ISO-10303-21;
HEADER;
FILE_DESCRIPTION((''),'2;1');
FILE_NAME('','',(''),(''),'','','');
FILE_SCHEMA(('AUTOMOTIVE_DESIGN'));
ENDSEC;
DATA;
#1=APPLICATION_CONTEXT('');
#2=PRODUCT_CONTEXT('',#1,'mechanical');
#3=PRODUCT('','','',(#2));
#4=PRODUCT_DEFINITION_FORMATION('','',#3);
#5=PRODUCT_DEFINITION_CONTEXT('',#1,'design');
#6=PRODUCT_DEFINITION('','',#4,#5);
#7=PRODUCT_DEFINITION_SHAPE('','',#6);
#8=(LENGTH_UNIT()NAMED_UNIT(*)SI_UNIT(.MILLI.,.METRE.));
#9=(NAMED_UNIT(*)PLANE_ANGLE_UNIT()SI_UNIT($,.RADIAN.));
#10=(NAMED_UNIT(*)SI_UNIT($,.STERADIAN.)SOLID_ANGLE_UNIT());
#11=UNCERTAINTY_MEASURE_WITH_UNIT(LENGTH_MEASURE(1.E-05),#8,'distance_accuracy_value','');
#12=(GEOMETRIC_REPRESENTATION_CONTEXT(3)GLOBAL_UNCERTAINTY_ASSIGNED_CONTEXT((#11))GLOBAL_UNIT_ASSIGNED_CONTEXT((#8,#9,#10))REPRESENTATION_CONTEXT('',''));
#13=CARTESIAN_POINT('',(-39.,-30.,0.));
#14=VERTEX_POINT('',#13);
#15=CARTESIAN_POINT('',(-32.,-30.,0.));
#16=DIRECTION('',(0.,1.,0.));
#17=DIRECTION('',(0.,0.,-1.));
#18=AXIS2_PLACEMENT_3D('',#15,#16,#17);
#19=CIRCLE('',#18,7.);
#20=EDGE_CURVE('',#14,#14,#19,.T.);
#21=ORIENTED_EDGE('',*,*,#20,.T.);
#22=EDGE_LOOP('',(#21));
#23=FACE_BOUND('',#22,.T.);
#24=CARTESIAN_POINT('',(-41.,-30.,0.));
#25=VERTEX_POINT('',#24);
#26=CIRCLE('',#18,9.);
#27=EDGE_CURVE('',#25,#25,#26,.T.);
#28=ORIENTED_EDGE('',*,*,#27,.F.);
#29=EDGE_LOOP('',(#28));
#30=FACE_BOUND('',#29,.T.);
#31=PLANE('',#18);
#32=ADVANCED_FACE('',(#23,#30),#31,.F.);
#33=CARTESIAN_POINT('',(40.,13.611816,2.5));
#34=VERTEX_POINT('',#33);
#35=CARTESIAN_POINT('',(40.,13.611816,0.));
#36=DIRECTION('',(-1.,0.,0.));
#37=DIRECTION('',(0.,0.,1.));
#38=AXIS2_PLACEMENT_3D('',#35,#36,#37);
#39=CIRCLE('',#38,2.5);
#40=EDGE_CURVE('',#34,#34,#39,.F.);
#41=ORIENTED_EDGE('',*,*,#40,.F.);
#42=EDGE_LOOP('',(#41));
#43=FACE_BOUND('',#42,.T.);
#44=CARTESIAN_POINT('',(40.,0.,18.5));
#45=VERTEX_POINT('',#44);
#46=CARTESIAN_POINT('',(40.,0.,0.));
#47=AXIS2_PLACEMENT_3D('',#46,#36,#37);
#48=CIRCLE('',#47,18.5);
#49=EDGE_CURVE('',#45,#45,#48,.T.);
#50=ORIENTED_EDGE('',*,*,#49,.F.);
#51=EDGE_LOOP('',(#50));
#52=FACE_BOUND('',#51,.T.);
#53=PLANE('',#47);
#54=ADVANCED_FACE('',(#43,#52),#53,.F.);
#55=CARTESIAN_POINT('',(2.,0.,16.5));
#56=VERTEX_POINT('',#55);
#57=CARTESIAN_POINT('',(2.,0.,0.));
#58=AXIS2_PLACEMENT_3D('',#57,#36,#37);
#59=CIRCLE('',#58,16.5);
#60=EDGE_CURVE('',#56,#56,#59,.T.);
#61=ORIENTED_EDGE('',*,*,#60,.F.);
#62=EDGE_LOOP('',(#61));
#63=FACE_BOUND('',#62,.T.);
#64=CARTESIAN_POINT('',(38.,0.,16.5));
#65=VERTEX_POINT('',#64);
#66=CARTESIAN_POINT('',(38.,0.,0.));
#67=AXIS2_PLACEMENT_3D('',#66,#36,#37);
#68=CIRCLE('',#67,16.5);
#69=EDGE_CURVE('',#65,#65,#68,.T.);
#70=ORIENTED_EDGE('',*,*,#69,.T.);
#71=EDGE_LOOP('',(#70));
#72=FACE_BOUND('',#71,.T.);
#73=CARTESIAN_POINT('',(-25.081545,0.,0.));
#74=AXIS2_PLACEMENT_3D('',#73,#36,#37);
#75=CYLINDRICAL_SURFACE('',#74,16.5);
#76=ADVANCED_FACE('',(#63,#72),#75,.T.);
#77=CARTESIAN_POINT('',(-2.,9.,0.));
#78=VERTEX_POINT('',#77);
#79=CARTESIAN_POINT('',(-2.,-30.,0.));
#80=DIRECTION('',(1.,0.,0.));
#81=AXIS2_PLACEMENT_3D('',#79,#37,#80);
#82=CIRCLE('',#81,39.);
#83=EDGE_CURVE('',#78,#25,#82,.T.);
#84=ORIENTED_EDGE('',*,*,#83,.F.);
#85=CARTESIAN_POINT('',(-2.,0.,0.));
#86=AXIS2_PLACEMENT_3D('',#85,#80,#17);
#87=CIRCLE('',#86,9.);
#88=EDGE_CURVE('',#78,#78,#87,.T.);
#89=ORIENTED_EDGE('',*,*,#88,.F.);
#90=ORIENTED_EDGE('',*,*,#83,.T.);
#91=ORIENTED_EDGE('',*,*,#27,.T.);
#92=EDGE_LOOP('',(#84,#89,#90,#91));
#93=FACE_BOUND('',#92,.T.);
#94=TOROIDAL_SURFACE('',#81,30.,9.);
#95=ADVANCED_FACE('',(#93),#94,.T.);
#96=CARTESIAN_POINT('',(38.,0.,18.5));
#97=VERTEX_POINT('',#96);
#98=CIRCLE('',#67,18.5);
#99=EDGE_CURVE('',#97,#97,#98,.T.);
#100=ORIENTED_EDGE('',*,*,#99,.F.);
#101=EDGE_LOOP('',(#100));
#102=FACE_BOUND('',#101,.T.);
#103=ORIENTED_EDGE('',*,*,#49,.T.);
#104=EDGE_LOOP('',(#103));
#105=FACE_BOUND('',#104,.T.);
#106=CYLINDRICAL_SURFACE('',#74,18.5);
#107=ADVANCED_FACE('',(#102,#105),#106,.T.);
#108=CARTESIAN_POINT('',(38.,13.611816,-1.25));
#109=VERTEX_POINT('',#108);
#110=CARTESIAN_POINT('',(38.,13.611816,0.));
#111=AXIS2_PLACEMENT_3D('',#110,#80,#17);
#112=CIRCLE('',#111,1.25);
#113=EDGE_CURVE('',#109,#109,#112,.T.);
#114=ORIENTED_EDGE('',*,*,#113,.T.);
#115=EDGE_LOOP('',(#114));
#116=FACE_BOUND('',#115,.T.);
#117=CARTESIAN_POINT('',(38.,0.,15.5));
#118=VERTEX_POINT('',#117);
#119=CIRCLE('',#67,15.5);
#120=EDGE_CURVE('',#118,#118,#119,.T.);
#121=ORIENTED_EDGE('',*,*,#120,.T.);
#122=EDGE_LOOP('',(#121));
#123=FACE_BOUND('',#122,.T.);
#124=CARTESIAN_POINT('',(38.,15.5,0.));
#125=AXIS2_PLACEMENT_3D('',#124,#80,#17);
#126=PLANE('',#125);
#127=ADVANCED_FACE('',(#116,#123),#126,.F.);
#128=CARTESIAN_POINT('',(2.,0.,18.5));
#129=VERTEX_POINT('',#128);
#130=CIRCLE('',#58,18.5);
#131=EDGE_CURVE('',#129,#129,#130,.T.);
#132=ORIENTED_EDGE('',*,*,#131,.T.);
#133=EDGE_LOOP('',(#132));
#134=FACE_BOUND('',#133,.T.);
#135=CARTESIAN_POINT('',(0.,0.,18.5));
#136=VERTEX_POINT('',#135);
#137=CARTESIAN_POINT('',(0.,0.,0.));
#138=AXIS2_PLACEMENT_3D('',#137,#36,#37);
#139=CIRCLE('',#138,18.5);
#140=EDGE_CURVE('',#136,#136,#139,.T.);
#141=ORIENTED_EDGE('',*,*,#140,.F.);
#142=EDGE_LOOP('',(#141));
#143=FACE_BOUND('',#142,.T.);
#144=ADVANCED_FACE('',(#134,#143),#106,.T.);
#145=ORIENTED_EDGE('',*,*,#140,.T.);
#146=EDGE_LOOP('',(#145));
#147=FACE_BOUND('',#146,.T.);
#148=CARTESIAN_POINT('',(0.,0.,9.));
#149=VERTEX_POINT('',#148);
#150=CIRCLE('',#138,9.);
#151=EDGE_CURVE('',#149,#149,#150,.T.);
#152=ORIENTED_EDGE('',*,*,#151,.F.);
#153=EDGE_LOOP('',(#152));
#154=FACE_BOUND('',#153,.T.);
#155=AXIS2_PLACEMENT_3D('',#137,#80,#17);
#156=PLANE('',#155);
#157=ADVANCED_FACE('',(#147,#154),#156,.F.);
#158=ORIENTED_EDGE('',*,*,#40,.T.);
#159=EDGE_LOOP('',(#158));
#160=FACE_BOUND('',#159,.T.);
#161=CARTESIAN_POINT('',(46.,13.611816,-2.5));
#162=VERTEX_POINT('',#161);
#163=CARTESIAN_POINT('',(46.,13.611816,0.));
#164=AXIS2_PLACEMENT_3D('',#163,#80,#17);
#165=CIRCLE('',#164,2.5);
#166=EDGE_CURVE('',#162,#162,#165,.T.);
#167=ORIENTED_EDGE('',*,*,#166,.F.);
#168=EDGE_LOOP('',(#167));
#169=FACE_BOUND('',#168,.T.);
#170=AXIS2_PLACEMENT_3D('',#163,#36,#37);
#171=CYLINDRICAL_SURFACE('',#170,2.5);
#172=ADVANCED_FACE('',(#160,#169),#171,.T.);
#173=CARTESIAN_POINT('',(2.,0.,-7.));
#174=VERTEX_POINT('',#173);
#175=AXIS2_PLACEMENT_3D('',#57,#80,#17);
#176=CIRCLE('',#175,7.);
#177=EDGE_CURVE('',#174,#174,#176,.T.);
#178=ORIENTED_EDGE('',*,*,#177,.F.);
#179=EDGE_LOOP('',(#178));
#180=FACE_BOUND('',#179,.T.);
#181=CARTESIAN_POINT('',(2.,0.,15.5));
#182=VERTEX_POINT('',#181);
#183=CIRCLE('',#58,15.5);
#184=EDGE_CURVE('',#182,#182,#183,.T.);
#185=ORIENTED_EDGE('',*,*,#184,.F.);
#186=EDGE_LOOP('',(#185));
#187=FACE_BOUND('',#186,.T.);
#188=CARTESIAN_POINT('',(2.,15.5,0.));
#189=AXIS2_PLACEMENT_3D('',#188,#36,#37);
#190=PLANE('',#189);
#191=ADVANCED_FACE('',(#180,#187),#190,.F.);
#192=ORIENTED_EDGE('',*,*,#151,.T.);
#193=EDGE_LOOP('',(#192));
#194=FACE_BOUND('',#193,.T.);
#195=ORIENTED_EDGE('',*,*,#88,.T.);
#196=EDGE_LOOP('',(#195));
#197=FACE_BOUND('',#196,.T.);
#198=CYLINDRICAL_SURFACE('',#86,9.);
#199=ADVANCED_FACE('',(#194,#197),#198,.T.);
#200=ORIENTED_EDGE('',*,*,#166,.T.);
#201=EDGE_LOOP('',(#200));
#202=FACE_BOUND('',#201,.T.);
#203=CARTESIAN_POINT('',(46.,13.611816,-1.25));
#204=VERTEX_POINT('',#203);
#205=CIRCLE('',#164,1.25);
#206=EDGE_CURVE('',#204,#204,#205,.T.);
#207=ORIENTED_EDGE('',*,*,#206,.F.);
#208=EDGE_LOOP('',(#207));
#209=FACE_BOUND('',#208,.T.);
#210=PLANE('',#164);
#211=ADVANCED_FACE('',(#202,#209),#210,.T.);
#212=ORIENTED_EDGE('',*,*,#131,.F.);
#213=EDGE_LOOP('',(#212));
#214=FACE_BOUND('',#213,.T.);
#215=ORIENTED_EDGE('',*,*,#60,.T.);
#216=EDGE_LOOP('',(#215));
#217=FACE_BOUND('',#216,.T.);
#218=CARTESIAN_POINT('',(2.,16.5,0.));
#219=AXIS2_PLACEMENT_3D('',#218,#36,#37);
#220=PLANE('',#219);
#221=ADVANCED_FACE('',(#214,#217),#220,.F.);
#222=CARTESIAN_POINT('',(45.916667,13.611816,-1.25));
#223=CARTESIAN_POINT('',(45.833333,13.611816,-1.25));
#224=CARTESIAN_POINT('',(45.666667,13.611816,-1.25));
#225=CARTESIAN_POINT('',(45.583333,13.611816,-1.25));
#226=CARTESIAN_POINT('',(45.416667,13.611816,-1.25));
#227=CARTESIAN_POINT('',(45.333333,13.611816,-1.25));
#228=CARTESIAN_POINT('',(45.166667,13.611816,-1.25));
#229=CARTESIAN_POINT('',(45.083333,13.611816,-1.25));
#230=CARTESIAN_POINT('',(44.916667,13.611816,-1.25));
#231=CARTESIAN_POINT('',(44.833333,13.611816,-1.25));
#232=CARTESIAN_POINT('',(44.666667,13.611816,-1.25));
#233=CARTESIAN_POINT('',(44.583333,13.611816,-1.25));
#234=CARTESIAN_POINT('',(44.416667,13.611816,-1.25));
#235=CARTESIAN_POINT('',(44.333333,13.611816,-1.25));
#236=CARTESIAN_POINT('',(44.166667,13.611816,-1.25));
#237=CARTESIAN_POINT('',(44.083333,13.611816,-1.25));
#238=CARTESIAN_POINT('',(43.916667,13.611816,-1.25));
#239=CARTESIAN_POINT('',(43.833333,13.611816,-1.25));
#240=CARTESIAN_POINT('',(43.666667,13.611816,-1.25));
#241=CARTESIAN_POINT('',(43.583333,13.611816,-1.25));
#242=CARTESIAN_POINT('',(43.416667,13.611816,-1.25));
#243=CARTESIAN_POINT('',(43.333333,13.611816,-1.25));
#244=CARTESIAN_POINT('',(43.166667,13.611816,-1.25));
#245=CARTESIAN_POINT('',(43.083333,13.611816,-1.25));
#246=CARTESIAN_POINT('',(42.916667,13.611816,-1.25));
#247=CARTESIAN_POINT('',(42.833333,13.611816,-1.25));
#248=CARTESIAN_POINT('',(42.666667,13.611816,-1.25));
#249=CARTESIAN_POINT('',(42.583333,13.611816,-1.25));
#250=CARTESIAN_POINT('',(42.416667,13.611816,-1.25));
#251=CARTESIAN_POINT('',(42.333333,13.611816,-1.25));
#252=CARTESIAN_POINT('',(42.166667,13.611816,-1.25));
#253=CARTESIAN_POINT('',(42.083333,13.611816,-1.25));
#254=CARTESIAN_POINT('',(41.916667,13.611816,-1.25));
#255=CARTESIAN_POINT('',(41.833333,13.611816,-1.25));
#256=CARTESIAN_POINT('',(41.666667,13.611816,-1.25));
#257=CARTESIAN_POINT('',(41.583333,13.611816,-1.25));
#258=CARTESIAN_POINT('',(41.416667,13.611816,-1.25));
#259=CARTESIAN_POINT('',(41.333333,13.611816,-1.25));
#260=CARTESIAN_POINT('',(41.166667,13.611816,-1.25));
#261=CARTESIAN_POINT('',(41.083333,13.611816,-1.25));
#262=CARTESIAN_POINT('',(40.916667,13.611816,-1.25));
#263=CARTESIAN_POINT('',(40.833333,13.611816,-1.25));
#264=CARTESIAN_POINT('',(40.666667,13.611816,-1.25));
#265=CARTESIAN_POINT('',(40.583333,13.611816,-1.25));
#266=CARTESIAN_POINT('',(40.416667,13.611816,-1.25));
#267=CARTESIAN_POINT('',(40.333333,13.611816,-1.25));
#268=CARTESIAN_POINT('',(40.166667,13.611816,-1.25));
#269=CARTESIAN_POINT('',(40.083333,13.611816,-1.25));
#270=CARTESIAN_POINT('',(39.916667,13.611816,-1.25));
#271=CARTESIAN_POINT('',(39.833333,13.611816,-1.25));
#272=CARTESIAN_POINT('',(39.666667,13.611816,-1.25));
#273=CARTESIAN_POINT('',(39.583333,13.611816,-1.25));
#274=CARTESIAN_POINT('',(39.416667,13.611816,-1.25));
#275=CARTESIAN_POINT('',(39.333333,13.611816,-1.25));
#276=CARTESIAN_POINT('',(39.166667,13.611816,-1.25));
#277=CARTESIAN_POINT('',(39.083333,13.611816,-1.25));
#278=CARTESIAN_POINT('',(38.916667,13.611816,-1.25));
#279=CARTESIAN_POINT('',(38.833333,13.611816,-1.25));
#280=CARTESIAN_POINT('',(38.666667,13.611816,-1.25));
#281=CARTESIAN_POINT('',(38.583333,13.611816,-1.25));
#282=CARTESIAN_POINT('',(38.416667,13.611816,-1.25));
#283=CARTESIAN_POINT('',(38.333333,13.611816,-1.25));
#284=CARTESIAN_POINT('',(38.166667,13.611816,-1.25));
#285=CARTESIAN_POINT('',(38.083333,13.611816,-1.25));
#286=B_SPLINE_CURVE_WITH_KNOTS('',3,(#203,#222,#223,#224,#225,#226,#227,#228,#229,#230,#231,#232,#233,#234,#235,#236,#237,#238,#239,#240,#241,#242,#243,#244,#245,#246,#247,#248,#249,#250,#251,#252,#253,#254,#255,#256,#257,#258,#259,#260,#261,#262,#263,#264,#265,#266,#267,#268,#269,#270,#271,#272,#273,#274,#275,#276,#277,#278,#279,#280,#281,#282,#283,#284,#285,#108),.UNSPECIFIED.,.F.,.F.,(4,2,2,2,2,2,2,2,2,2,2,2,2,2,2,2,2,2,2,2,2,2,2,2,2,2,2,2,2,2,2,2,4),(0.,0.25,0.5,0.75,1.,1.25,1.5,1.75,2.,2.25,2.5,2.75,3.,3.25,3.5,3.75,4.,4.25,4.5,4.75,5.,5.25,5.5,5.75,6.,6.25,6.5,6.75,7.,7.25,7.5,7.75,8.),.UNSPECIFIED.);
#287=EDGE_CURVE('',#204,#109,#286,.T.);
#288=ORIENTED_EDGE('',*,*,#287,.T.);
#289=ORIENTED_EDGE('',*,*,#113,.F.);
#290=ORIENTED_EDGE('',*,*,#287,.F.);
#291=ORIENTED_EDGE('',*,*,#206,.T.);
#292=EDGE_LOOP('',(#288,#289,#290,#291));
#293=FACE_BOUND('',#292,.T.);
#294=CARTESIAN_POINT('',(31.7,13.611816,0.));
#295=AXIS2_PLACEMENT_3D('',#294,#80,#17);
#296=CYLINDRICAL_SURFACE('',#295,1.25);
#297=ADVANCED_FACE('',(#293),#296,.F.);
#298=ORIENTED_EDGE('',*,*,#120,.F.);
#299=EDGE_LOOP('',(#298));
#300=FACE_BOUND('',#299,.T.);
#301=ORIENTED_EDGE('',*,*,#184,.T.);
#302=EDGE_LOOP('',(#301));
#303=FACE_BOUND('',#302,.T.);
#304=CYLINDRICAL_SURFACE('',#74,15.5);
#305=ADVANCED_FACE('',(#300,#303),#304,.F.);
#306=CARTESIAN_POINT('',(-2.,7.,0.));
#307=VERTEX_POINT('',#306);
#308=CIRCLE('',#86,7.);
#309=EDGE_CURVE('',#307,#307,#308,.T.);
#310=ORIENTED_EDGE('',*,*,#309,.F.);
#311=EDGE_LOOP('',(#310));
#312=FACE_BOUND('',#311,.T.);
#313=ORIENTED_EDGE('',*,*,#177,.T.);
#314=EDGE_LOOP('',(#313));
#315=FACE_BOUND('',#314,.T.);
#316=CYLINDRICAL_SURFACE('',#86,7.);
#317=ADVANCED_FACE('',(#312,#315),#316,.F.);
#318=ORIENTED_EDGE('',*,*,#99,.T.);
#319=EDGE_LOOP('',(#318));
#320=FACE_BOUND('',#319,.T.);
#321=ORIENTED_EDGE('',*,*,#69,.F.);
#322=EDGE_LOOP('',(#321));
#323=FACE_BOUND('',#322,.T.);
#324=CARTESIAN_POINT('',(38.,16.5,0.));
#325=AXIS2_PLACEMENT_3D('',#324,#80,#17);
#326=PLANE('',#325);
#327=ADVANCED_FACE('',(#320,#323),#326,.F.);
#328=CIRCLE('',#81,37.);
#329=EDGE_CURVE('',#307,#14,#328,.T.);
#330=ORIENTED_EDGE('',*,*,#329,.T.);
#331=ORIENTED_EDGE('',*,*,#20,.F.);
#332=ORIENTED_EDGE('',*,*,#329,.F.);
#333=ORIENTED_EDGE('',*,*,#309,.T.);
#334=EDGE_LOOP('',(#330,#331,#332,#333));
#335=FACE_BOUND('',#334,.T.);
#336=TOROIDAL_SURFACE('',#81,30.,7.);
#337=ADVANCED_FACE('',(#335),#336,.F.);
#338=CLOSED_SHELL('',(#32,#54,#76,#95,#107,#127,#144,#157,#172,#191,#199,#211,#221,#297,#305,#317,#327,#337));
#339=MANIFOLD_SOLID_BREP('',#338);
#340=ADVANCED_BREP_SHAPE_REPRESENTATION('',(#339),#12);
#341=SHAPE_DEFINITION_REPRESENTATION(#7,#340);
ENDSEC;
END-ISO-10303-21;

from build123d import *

# Parameters (mm, degrees)
ESQUISSE2_R             = 2.5
BOSS_EXTRU_1_DEPTH      = 6
ESQUISSE3_R             = 1.25
ENL_V_MAT_EXTRU_1_DEPTH = 14.3
ESQUISSE4_R             = 9
ENL_V_MAT_EXTRU_2_DEPTH = 5
ESQUISSE6_R             = 9
ESQUISSE6_R_2           = 7


with BuildPart() as part:
    # Esquisse1 → Base-Révolution (revolve)
    with BuildSketch(Plane.XY, mode=Mode.PRIVATE) as base_r_volution_sk:
        Polygon((2, 16.5), (38, 16.5), (38, 18.5), (40, 18.5), (40, 0), (38, 0), (38, 15.5), (2, 15.5), (2, 0), (0, 0), (0, 18.5), (2, 18.5), align=None)
    revolve(base_r_volution_sk.sketch.rotate(Axis((-25.081544634, 0, 0), (1, 0, 0)), 90), axis=Axis((-25.081544634, 0, 0), (1, 0, 0)))

    # Esquisse2 → Boss.-Extru.1 (add)
    with BuildSketch(Plane(origin=(40, 0, 0), x_dir=(0, 0, -1), z_dir=(1, 0, 0))):
        with Locations(Location((0, 13.61181584, 0), (0, 0, 180))):
            Circle(ESQUISSE2_R)
    extrude(amount=BOSS_EXTRU_1_DEPTH)

    # Esquisse3 → Enlèv. mat.-Extru.1 (cut)
    with BuildSketch(Plane(origin=(46, 0, 0), x_dir=(0, 0, -1), z_dir=(1, 0, 0))):
        with Locations((0, 13.61181584)):
            Circle(ESQUISSE3_R)
    extrude(amount=-ENL_V_MAT_EXTRU_1_DEPTH, mode=Mode.SUBTRACT)

    # Esquisse4 → Enlèv. mat.-Extru.2 (cut)
    with BuildSketch(Plane.ZY):
        Circle(ESQUISSE4_R)
    extrude(amount=-ENL_V_MAT_EXTRU_2_DEPTH, mode=Mode.SUBTRACT)

    # Boss.-Balayage1: sweep along a path in Esquisse7
    with BuildLine(Plane.XY) as boss_balayage1_path:
        Line((2, 0), (-2, 0))
        ThreePointArc((-2, 0), (-23.213203436, -8.786796564), (-32, -30))
    # Esquisse6 → Boss.-Balayage1 (sweep)
    with BuildSketch(Plane(origin=(2, 0, 0), x_dir=(0, 0, -1), z_dir=(1, 0, 0))):
        Circle(ESQUISSE6_R)
        Circle(ESQUISSE6_R_2, mode=Mode.SUBTRACT)
    sweep(path=boss_balayage1_path.line)


solid = part.part
